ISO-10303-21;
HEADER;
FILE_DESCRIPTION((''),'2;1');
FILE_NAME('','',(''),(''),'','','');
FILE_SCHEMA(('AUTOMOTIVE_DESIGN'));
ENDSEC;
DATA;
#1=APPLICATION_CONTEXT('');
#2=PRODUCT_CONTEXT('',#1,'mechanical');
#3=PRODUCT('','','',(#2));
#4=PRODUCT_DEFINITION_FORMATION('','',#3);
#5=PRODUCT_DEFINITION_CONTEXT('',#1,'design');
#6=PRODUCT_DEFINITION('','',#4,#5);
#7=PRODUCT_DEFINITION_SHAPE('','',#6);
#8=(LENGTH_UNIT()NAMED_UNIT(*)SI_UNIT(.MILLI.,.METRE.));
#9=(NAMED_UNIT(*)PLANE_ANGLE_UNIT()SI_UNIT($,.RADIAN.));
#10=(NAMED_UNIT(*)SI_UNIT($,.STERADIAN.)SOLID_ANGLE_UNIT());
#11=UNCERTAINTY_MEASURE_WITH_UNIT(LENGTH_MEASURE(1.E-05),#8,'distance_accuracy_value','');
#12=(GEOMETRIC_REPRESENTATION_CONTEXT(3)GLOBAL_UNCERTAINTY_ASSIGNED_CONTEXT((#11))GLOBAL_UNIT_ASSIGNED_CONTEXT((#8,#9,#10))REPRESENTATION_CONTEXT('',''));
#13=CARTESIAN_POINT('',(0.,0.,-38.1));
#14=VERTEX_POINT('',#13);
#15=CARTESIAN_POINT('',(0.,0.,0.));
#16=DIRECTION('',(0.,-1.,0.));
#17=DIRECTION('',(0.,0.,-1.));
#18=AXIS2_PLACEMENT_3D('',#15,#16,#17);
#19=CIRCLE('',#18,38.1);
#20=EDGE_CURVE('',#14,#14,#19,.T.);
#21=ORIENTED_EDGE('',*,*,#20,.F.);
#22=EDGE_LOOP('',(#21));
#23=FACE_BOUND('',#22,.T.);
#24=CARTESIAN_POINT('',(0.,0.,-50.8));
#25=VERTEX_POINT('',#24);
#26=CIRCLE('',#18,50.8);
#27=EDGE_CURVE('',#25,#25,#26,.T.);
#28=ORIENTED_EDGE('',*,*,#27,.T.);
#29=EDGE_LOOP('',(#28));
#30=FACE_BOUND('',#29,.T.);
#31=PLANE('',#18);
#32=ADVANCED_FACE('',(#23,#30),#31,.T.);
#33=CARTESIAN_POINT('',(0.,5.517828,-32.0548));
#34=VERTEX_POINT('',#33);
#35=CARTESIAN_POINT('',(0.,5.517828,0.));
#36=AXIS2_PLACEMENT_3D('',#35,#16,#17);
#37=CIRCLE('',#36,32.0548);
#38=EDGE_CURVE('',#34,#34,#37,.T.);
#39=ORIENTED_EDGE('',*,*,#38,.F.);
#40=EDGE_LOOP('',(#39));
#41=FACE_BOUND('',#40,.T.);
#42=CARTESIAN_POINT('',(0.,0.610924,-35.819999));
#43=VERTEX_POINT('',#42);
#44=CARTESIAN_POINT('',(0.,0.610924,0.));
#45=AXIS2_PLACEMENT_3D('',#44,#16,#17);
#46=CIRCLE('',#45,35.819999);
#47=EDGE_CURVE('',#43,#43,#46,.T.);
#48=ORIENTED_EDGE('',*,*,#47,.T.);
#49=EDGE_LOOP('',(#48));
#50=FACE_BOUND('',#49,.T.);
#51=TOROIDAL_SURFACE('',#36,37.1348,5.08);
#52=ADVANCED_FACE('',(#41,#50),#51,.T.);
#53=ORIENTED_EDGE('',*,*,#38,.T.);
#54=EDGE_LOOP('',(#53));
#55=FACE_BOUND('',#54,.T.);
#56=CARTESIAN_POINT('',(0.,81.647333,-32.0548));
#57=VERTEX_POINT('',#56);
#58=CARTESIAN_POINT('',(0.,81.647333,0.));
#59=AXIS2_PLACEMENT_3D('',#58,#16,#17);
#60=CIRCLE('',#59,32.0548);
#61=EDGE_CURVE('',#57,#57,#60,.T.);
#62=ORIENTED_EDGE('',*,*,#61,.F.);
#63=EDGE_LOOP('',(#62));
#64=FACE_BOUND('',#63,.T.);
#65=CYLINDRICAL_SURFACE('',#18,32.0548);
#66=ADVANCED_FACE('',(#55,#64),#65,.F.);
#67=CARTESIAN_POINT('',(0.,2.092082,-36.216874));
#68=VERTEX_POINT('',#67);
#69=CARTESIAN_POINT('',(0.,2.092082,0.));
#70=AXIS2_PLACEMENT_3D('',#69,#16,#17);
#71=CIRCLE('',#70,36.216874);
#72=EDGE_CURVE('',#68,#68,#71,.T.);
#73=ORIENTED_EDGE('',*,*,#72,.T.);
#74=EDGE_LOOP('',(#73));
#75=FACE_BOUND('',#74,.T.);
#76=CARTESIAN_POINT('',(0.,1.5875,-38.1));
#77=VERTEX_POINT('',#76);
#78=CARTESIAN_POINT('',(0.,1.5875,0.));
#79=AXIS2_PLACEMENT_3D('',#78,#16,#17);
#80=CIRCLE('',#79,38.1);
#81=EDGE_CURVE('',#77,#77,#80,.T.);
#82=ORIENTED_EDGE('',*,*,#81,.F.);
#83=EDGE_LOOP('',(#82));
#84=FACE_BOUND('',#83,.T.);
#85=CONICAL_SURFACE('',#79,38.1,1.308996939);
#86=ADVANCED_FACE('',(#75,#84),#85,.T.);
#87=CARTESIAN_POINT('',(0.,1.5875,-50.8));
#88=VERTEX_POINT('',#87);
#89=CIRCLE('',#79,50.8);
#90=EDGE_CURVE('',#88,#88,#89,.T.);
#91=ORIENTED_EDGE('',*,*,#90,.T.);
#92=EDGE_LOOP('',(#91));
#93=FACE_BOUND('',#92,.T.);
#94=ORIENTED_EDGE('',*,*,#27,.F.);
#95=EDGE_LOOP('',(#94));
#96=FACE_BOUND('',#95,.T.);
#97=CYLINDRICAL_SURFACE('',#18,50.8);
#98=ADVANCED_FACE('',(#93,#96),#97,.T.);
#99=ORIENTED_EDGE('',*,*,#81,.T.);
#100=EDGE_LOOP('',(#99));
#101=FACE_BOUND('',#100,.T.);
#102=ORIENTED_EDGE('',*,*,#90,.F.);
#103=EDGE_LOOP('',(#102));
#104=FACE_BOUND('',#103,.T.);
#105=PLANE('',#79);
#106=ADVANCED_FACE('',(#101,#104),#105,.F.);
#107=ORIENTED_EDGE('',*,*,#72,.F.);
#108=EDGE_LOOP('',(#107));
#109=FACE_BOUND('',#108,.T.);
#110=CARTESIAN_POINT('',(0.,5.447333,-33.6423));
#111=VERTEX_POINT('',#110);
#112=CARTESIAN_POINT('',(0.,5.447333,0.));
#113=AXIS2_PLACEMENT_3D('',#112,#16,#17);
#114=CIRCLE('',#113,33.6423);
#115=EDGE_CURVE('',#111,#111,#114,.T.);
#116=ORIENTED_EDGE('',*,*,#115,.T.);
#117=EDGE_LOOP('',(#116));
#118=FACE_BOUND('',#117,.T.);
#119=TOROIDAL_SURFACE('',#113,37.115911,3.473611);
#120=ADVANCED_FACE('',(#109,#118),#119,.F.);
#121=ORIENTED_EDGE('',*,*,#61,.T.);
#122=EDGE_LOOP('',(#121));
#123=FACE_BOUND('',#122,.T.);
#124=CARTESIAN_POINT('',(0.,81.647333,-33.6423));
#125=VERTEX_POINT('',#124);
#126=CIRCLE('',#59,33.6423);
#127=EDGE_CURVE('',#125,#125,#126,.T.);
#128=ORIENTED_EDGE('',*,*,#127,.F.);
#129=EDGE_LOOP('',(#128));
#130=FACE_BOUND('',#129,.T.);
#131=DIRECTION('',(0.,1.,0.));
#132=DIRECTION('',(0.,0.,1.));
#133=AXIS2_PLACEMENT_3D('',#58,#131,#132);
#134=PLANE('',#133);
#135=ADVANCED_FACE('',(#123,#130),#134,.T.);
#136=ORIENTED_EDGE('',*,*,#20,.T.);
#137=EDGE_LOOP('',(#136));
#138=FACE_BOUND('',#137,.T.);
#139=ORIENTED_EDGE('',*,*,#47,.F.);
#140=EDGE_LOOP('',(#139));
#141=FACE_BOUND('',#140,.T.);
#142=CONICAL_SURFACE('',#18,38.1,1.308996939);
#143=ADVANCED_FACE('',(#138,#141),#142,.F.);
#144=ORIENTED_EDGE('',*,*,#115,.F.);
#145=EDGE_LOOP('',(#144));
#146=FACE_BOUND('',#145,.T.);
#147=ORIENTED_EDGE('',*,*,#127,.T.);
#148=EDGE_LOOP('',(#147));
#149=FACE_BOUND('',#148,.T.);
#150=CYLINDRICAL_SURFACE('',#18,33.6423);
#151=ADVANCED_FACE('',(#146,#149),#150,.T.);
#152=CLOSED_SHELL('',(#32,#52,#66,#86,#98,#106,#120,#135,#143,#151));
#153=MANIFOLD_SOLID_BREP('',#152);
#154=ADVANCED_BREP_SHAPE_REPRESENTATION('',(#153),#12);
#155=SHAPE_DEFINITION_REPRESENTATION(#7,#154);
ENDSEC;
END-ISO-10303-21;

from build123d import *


with BuildPart() as part:
    # Sketch2 → Revolve1 (revolve)
    with BuildSketch(Plane.XY, mode=Mode.PRIVATE) as revolve1_sk:
        with BuildLine():
            Line((38.1, 0), (50.8, 0))
            Line((50.8, 0), (50.8, 1.5875))
            Line((50.8, 1.5875), (38.1, 1.5875))
            Line((38.1, 1.5875), (36.216874251, 2.092082024))
            ThreePointArc((36.216874251, 2.092082024), (34.360110092, 3.332732171), (33.6423, 5.447332512))
            Line((33.6423, 5.447332512), (33.6423, 81.647332512))
            Line((33.6423, 81.647332512), (32.0548, 81.647332512))
            Line((32.0548, 81.647332512), (32.0548, 5.517827557))
            ThreePointArc((32.0548, 5.517827557), (33.104565031, 2.425319498), (35.819999251, 0.610924359))
            Line((35.819999251, 0.610924359), (38.1, 0))
        make_face()
    revolve(revolve1_sk.sketch.rotate(Axis((0, 0, 0), (0, 1, 0)), 90), axis=Axis((0, 0, 0), (0, 1, 0)))


solid = part.part
